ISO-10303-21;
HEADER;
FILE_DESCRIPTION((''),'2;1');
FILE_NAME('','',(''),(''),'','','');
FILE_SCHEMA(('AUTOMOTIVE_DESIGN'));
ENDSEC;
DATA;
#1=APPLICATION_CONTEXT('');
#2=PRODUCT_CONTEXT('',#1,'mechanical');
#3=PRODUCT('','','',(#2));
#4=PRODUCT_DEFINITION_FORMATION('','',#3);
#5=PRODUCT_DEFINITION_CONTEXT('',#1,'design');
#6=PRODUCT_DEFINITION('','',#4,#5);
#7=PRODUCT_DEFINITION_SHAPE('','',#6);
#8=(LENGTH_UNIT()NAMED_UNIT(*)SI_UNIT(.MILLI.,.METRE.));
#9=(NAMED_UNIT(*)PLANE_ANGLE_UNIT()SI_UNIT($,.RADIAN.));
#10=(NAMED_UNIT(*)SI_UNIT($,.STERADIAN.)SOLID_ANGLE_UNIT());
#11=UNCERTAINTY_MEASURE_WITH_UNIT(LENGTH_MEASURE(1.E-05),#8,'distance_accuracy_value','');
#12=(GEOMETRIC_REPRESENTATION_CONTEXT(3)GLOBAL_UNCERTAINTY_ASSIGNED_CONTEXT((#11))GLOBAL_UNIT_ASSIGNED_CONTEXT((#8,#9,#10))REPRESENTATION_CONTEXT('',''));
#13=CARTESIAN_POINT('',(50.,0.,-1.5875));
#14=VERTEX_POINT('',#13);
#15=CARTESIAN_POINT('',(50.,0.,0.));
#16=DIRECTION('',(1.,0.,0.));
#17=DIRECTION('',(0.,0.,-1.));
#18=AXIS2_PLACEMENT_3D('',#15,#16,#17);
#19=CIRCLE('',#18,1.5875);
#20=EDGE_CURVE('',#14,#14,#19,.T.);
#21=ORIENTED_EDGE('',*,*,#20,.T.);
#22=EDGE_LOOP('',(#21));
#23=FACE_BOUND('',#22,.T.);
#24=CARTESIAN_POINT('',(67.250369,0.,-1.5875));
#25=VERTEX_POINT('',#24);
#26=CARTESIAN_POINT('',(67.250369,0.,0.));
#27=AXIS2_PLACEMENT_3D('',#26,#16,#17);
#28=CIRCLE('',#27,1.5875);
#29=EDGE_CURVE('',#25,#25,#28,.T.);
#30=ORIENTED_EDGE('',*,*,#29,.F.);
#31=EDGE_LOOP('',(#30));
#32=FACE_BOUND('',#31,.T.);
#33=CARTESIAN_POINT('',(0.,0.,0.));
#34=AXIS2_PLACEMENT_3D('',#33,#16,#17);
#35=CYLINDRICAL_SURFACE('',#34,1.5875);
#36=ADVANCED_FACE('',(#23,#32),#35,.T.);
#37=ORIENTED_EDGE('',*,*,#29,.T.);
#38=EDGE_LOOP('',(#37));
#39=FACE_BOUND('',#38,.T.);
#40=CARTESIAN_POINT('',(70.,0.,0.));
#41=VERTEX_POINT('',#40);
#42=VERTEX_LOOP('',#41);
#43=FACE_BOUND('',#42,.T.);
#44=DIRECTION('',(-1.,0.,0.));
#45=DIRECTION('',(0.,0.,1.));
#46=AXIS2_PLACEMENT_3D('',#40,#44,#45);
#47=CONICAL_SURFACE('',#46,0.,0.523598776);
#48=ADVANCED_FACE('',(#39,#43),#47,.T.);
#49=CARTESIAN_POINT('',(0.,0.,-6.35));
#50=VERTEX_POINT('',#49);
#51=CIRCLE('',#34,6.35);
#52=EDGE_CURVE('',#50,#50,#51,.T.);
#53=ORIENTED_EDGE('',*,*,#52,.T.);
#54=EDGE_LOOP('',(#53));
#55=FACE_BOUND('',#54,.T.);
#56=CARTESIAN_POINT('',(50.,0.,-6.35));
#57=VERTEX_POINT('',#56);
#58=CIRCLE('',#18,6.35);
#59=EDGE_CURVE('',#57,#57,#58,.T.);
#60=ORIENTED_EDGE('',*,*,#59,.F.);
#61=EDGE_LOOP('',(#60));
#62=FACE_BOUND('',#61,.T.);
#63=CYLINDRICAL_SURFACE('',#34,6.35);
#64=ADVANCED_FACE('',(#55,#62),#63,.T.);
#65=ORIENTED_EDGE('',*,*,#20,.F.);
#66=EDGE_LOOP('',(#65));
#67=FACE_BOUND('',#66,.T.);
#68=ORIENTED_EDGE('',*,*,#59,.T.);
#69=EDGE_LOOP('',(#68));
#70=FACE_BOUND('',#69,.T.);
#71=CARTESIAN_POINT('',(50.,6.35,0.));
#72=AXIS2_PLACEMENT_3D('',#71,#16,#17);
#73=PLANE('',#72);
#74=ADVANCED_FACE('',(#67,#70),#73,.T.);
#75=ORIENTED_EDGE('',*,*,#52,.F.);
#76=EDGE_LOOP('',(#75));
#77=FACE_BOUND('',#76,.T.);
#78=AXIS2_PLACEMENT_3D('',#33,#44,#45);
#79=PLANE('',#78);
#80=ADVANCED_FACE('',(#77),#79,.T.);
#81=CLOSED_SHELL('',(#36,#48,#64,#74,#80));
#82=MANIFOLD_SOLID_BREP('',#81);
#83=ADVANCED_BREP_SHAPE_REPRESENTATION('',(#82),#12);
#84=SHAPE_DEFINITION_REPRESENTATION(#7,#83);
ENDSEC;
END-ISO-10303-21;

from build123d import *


with BuildPart() as part:
    # Sketch1 → Revolve1 (revolve)
    with BuildSketch(Plane.XY, mode=Mode.PRIVATE) as revolve1_sk:
        Polygon((0, 0), (0, 6.35), (50, 6.35), (50, 1.5875), (67.250369343, 1.5875), (70, 0), align=None)
    revolve(revolve1_sk.sketch.rotate(Axis((0, 0, 0), (-1, 0, 0)), 90), axis=Axis((0, 0, 0), (-1, 0, 0)))


solid = part.part
